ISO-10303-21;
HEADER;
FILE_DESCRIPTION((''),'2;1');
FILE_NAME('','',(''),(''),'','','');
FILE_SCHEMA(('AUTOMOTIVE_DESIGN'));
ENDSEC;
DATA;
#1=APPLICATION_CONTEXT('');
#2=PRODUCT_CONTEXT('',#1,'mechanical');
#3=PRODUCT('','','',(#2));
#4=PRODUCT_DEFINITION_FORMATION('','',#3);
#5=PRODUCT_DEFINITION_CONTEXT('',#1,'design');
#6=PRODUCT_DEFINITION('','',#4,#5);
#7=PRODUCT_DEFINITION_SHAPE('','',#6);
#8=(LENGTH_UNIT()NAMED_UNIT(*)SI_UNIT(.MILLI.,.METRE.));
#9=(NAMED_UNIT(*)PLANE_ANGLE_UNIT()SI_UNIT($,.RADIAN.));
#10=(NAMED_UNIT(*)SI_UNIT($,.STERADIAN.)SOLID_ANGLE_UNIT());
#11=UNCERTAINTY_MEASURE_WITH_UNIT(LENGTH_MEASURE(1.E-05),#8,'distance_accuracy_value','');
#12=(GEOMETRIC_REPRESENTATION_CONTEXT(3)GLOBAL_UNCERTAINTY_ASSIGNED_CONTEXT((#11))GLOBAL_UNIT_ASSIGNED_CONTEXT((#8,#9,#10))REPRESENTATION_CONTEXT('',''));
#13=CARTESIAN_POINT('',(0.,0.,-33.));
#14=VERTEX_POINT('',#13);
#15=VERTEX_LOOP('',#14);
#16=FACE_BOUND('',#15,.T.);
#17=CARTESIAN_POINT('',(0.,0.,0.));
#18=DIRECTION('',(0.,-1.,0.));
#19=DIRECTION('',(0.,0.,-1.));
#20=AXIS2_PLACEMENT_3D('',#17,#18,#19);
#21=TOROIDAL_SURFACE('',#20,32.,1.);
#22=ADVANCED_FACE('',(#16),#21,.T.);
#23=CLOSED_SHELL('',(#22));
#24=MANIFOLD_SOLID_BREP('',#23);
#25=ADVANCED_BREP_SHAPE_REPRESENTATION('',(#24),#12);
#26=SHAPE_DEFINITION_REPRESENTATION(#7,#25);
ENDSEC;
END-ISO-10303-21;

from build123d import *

# Parameters (mm, degrees)
RECONSTRUCTED_NOMINAL_AXIAL_PROFILE_R = 1


with BuildPart() as part:
    # Reconstructed nominal axial profile → Native revolved geometry (revolve)
    with BuildSketch(Plane.XY, mode=Mode.PRIVATE) as native_revolved_geometry_sk:
        with Locations((32, 0)):
            Circle(RECONSTRUCTED_NOMINAL_AXIAL_PROFILE_R)
    revolve(native_revolved_geometry_sk.sketch.rotate(Axis((0, -500, 0), (0, 1, 0)), 90), axis=Axis((0, -500, 0), (0, 1, 0)))


solid = part.part
